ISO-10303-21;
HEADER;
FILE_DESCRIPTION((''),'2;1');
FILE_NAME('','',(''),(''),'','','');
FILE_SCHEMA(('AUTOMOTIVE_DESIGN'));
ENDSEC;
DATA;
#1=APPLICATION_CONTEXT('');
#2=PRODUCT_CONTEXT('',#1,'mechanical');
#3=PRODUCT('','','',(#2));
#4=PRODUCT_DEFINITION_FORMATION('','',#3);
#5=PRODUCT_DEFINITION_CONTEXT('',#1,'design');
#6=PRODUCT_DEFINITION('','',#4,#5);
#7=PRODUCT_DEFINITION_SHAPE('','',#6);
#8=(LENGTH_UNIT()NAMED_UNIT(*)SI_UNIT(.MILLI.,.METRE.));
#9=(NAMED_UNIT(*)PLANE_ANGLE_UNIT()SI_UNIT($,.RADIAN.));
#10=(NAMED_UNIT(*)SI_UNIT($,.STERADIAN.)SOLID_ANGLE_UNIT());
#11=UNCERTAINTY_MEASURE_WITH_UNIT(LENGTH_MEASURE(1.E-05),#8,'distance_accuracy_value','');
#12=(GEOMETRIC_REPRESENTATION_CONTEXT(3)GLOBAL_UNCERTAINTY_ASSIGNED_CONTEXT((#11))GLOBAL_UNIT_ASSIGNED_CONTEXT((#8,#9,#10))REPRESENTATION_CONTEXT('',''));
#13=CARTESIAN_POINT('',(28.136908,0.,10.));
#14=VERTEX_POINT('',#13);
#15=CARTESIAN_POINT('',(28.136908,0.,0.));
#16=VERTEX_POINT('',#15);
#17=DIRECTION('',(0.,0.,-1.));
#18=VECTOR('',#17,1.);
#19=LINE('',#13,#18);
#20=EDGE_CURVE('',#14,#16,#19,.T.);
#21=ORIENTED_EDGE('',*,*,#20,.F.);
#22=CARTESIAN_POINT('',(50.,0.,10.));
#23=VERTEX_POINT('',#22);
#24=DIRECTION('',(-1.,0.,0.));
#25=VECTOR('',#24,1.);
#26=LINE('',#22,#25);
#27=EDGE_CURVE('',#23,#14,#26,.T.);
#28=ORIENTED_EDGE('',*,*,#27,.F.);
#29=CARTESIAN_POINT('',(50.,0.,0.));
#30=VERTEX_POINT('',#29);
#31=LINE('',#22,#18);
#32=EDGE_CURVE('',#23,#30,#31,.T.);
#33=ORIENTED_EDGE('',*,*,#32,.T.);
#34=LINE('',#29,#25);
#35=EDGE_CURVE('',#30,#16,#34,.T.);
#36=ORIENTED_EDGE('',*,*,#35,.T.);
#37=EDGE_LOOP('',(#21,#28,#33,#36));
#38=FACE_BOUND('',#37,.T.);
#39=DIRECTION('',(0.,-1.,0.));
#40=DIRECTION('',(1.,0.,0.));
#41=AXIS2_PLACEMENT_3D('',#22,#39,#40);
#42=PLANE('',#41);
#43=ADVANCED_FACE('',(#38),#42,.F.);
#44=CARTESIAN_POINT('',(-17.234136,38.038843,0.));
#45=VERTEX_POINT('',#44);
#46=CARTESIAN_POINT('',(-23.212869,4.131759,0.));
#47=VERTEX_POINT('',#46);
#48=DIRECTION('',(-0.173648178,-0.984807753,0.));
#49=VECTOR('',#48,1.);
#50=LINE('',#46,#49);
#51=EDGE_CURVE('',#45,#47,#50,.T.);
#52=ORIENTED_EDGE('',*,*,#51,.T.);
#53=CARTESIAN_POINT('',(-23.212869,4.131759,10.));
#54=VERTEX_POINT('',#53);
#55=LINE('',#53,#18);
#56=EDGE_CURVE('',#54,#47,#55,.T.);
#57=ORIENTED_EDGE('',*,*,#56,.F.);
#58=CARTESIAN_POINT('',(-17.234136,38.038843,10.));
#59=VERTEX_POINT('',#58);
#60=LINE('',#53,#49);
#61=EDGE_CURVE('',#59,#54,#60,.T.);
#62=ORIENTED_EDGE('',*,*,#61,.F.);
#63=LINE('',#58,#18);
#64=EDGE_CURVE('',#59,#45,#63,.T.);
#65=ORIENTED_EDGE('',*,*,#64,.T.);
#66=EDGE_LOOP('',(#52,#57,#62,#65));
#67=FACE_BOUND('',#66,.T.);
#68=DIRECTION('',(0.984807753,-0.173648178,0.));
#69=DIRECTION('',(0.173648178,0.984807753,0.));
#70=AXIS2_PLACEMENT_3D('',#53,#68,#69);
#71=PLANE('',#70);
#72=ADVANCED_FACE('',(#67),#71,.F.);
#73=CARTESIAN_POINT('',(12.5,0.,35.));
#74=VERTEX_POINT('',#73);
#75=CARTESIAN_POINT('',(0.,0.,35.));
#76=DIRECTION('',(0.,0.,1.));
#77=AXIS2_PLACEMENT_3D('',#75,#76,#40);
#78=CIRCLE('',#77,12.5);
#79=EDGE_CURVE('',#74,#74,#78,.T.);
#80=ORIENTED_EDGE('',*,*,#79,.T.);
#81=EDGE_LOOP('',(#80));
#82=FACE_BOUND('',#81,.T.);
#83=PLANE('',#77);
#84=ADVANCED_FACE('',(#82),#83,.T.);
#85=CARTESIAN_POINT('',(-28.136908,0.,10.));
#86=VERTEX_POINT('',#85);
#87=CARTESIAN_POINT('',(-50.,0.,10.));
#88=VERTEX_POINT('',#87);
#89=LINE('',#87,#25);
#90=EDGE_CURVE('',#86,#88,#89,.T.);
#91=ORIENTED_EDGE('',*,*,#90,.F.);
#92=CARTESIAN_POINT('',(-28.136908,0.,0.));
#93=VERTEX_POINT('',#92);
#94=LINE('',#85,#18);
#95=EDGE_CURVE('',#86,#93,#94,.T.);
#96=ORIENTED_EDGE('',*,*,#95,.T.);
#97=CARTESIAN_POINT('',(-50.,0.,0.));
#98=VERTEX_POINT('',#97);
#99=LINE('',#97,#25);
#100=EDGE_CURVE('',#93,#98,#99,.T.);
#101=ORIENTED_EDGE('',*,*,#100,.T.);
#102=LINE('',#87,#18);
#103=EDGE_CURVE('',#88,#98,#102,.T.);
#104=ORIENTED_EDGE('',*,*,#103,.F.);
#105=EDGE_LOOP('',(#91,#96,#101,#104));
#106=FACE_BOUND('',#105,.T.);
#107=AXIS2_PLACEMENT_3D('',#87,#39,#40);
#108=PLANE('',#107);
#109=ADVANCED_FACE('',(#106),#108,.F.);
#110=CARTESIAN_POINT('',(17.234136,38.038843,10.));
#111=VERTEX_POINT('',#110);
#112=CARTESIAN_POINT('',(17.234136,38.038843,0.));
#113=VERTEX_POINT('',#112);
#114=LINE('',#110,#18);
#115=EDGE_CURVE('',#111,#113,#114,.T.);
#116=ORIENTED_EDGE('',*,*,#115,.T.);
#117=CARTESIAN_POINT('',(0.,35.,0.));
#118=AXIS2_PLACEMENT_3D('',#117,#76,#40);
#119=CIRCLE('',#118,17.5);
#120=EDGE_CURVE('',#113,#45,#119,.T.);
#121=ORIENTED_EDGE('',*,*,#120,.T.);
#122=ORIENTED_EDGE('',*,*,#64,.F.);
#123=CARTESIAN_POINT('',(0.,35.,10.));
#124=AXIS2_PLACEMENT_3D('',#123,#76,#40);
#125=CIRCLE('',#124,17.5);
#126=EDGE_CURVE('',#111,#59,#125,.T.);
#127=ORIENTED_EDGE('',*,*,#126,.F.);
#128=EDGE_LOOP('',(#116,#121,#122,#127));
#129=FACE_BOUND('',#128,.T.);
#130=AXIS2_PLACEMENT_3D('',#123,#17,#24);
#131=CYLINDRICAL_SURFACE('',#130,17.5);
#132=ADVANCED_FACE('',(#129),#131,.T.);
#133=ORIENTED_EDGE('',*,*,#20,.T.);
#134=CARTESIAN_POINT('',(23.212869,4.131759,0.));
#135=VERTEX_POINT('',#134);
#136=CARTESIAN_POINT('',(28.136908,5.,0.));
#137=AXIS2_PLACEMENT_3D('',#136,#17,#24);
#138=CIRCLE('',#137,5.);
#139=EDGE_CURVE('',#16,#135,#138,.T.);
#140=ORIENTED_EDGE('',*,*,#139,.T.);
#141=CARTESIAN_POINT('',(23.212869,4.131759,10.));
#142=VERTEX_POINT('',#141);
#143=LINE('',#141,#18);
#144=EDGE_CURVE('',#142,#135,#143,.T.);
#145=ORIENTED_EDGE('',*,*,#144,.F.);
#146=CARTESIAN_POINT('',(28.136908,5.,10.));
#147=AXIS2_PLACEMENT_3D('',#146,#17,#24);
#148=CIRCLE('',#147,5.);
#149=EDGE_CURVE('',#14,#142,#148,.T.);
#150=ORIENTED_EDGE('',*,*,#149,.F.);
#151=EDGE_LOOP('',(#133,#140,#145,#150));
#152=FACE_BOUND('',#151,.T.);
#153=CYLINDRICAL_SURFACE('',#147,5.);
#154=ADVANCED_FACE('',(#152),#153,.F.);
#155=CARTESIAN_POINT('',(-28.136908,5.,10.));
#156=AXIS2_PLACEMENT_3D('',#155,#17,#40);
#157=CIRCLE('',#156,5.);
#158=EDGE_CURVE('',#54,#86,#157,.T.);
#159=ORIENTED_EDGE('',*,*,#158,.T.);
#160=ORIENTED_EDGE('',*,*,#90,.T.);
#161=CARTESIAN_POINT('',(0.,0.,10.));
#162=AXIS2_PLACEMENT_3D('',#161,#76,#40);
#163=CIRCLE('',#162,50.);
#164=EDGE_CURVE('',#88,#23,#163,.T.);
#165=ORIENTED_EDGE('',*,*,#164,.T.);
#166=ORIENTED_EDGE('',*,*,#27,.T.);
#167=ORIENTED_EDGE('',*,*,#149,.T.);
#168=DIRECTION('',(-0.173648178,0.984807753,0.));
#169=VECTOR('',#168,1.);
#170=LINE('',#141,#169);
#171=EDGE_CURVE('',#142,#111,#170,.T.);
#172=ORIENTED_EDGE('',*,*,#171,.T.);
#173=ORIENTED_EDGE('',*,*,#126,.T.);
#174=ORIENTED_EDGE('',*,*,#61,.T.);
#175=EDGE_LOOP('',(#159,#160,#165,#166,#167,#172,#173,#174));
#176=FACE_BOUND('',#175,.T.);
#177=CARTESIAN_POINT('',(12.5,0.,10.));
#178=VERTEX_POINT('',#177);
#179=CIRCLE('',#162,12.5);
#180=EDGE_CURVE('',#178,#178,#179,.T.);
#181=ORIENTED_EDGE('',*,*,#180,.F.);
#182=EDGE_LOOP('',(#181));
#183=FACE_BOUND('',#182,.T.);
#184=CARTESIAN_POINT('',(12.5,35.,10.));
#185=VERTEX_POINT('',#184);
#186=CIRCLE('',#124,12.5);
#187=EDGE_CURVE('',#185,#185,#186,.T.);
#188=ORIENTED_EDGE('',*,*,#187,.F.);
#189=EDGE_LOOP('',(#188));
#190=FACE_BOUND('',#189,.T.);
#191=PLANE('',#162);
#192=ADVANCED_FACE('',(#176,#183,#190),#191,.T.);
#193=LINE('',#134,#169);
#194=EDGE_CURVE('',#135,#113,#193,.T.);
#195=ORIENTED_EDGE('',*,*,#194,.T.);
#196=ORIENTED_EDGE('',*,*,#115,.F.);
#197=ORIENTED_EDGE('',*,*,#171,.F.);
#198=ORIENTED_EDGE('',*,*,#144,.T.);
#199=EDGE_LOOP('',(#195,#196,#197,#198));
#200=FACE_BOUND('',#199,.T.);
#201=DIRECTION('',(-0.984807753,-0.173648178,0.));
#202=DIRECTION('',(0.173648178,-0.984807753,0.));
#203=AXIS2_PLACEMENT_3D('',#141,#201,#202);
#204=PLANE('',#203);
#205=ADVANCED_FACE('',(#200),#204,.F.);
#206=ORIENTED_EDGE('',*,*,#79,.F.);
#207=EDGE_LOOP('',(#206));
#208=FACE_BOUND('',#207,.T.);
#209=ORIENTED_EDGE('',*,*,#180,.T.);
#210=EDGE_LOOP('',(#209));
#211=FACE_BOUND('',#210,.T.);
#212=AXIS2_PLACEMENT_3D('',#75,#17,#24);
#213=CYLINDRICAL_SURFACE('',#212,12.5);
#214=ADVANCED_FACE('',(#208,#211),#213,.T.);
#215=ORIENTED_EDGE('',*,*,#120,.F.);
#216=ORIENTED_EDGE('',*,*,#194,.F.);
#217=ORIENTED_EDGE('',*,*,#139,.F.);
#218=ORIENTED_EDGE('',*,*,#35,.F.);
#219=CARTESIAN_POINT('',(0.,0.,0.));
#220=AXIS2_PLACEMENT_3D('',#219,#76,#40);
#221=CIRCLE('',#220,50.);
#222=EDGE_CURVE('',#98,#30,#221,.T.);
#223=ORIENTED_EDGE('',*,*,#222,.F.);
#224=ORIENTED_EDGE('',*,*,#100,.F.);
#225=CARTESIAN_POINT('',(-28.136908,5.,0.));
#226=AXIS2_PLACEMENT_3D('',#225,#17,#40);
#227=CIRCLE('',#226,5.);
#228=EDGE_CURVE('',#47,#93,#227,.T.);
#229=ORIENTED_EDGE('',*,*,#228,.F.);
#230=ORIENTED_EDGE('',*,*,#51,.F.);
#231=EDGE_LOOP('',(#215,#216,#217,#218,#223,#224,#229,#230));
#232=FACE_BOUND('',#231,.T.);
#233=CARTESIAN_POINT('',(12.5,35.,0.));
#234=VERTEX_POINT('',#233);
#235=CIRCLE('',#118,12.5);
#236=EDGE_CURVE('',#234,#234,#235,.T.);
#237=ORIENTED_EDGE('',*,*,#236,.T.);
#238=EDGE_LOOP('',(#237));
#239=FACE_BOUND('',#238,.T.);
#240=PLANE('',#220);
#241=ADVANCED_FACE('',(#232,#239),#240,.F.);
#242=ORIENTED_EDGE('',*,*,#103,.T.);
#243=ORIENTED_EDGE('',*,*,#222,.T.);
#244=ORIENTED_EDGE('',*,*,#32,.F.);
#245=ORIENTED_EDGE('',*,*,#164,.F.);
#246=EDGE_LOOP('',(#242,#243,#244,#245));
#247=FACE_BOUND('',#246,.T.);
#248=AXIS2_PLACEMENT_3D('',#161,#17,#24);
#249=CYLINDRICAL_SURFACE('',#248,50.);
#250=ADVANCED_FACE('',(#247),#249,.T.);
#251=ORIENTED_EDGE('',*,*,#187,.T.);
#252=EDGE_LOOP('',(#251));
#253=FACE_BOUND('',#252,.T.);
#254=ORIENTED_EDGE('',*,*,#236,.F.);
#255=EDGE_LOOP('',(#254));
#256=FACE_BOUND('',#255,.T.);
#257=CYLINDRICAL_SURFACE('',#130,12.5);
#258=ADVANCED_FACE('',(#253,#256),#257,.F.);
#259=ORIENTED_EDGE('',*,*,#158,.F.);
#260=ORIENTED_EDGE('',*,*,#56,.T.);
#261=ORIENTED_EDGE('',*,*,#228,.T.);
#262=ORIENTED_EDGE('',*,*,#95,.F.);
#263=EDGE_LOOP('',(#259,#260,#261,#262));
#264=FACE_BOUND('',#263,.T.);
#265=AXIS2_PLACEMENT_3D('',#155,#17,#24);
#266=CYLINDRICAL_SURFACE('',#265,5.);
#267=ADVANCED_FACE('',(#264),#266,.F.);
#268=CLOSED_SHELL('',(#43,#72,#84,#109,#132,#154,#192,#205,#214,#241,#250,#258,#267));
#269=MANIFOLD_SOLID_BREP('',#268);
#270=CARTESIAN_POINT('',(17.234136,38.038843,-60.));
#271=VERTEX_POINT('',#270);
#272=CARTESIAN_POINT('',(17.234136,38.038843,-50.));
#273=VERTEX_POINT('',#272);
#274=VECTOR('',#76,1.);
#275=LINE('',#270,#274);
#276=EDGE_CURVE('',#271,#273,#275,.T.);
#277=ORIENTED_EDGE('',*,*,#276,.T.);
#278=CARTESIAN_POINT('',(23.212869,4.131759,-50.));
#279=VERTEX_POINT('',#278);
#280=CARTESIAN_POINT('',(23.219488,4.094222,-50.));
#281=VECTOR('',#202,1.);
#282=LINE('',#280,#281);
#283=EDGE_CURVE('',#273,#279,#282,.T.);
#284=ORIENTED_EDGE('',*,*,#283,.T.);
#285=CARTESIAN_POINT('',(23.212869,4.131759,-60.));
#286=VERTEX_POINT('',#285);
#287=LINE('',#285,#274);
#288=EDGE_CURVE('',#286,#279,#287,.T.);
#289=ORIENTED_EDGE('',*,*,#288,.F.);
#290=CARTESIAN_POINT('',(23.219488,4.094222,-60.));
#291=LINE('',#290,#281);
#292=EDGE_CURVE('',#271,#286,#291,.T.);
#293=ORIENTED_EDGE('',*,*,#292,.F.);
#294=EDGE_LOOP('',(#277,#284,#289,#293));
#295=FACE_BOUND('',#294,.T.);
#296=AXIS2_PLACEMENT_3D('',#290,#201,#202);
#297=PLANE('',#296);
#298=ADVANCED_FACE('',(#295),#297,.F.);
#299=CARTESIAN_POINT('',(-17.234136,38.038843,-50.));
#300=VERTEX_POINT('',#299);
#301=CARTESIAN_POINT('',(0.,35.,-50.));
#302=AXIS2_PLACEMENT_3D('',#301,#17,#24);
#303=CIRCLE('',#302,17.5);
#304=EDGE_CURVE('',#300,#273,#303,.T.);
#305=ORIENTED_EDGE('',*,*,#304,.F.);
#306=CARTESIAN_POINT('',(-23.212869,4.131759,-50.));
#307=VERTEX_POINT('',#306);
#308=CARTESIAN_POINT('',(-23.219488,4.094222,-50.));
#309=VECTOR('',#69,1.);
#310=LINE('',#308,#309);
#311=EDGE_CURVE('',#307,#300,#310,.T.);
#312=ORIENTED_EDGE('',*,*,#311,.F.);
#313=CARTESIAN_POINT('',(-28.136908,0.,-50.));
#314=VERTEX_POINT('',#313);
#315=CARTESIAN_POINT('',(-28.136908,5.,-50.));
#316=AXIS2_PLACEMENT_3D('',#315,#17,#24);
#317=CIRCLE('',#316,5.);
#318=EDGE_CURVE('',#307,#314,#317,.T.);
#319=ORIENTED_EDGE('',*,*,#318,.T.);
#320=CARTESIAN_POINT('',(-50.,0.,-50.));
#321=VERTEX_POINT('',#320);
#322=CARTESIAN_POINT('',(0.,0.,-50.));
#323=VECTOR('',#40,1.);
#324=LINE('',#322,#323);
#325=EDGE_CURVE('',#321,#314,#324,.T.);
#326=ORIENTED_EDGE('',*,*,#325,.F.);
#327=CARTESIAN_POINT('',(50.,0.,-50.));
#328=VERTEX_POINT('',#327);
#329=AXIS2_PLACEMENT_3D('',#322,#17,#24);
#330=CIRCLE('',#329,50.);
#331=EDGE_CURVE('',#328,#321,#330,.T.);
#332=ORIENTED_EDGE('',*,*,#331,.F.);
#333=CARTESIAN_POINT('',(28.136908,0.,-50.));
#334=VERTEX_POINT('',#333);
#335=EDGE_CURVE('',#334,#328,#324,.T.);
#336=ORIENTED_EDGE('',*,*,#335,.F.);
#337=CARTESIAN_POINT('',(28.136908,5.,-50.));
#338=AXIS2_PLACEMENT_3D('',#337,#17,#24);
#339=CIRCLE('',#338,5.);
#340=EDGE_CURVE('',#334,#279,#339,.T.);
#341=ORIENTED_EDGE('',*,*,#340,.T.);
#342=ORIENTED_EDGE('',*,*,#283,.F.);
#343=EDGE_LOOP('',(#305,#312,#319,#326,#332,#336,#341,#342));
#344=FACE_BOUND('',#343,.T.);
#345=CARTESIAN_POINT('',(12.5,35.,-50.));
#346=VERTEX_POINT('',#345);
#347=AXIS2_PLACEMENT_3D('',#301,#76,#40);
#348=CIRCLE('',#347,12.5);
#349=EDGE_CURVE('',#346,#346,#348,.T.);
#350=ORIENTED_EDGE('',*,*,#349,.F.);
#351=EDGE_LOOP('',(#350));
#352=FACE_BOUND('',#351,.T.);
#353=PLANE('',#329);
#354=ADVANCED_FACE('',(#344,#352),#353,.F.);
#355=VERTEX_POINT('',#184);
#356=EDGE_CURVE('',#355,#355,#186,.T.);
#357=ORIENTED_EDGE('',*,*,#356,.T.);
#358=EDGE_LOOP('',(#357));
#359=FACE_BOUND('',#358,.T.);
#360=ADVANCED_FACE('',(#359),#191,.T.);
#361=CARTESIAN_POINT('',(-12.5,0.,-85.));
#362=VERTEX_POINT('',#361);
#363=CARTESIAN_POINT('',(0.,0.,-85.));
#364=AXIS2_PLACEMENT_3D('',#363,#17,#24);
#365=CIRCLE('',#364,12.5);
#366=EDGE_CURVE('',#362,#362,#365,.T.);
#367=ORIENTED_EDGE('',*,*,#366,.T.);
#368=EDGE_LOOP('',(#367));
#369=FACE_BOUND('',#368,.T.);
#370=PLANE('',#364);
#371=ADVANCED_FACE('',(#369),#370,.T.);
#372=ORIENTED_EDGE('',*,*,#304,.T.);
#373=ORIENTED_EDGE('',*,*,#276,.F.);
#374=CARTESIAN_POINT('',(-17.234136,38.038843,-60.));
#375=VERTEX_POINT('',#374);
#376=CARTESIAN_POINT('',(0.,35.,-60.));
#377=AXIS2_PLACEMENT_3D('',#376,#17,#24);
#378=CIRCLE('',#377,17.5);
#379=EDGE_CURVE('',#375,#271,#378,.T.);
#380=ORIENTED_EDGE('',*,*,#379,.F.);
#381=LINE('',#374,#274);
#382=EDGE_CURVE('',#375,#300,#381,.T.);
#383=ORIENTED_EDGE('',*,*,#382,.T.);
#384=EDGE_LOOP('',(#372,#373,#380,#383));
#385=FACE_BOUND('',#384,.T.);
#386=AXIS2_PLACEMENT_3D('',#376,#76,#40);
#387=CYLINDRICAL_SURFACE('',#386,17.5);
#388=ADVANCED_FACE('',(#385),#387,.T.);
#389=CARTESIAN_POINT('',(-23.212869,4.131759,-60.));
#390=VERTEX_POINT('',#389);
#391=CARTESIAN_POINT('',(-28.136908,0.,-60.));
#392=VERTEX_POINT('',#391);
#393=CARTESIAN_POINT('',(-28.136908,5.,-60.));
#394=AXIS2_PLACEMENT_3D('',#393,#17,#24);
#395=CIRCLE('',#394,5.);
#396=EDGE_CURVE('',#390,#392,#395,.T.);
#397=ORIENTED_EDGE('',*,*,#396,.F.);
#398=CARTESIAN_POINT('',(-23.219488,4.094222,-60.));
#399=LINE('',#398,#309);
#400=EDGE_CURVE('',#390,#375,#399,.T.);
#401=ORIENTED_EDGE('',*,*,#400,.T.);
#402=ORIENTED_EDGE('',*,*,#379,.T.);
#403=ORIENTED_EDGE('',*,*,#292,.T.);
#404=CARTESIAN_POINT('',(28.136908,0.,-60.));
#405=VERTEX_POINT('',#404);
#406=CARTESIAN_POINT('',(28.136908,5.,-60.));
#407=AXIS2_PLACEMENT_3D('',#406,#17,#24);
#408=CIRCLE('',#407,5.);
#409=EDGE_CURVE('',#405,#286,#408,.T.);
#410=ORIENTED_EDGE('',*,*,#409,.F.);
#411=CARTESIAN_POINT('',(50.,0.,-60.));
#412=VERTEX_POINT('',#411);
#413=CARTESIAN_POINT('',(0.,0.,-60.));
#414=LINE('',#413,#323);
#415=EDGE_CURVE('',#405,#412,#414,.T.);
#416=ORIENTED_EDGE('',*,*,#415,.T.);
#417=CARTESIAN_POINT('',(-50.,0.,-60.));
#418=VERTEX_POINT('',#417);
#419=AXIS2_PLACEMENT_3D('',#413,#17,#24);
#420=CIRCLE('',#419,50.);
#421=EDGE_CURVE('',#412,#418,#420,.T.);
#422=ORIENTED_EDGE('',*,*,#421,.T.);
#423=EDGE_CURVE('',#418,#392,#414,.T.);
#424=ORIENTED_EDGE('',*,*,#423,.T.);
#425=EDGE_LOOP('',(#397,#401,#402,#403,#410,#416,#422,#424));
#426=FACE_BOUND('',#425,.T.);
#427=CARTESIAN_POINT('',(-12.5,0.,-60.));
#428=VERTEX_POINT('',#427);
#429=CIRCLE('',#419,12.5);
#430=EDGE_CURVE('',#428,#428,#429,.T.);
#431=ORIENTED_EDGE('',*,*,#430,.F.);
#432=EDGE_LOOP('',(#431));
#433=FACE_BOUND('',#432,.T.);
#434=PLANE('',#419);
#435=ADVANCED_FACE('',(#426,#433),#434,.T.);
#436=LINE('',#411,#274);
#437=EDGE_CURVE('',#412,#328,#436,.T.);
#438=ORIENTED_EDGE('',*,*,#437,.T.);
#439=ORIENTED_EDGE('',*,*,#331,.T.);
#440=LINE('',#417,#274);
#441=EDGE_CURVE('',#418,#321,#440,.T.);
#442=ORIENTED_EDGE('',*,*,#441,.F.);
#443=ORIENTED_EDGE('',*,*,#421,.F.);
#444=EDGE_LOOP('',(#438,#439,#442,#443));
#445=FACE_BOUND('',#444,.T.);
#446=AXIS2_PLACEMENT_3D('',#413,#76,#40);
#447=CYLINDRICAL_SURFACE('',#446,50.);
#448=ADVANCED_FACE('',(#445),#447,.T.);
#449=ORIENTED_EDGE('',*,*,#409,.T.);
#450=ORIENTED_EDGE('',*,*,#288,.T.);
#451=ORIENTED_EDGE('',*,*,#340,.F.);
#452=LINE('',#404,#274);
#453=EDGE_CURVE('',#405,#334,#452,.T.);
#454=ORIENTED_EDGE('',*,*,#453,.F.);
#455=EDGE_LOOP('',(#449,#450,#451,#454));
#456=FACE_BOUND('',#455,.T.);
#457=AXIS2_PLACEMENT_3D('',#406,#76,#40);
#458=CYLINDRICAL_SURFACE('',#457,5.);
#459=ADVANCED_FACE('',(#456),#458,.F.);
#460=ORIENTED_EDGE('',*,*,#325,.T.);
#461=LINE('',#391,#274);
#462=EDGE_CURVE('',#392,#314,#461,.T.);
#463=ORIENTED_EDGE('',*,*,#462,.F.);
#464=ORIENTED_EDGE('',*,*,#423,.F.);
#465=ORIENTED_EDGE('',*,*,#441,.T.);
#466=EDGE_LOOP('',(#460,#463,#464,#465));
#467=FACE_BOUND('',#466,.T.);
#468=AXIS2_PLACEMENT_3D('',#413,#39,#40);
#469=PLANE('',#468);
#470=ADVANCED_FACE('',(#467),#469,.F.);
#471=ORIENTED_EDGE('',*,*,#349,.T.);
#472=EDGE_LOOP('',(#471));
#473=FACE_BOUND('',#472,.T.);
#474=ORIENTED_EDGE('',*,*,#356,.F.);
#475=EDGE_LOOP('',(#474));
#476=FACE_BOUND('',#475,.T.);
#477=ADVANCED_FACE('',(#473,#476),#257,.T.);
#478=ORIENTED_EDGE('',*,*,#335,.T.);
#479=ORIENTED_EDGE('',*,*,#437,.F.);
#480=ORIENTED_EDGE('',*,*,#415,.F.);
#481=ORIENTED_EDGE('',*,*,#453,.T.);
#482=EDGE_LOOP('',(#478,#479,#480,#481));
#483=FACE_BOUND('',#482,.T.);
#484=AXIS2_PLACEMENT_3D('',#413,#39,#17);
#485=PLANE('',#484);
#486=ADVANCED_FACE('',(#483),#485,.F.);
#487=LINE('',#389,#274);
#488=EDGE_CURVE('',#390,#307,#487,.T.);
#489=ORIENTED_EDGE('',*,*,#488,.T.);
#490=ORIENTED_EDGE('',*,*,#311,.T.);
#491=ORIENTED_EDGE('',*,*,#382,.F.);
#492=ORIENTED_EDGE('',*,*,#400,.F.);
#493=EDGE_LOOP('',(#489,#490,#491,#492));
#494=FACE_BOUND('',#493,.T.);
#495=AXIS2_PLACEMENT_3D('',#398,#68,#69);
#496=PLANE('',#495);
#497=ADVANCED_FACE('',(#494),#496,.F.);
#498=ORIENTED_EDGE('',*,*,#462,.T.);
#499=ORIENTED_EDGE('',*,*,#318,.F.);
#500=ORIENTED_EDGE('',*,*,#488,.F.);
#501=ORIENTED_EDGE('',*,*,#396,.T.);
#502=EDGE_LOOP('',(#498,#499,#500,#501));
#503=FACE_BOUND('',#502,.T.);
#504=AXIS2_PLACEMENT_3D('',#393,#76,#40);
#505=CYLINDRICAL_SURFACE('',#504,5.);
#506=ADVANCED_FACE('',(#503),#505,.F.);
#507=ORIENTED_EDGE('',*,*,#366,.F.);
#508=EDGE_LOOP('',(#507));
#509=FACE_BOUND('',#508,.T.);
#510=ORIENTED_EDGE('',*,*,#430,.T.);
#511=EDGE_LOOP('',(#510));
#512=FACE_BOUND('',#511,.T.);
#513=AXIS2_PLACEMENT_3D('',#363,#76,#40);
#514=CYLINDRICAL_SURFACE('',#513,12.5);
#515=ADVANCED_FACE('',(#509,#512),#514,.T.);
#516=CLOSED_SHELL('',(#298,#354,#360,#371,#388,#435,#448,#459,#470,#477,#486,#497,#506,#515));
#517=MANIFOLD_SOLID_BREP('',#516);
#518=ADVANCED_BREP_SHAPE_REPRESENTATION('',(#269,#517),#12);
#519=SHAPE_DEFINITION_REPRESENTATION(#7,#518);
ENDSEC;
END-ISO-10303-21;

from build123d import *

# Parameters (mm, degrees)
SKETCH1_R                = 12.5
BOSS_EXTRUDE1_DEPTH      = 10
BOSS_EXTRUDE2_DEPTH      = 10
BOSS_EXTRUDE2_DEPTH_BACK = 50
SKETCH1_2_R              = 12.5
SKETCH1_3_R              = 12.5
BOSS_EXTRUDE3_DEPTH      = 35
BOSS_EXTRUDE4_START      = 10
SKETCH3_R                = 12.5
BOSS_EXTRUDE4_DEPTH      = 10
BOSS_EXTRUDE5_START      = 35
SKETCH3_3_R              = 12.5
BOSS_EXTRUDE5_DEPTH      = 35


with BuildPart() as part:
    # Sketch1 → Boss-Extrude1 (new body)
    with BuildSketch(Plane.XY):
        with BuildLine():
            Line((-50, 0), (-28.136908189, 0))
            ThreePointArc((-28.136908189, 0), (-24.92297014, 1.169777784), (-23.212869424, 4.131759112))
            Line((-23.212869424, 4.131759112), (-17.234135678, 38.038843109))
            ThreePointArc((-17.234135678, 38.038843109), (0, 52.5), (17.234135678, 38.038843109))
            Line((17.234135678, 38.038843109), (23.212869424, 4.131759112))
            ThreePointArc((23.212869424, 4.131759112), (24.92297014, 1.169777784), (28.136908189, 0))
            Line((28.136908189, 0), (50, 0))
            ThreePointArc((50, 0), (0, -50), (-50, 0))
        make_face()
        Circle(SKETCH1_R, mode=Mode.SUBTRACT)
        with Locations((0, 35)):
            Circle(SKETCH1_R, mode=Mode.SUBTRACT)
    extrude(amount=BOSS_EXTRUDE1_DEPTH)

    # Sketch1<3> → Boss-Extrude3 (add)
    with BuildSketch(Plane.XY):
        Circle(SKETCH1_3_R)
    extrude(amount=BOSS_EXTRUDE3_DEPTH)


with BuildPart() as body_2:
    # Sketch1<2> → Boss-Extrude2 (new, two sides: drawn at the far end of the back side and taken through both)
    with BuildSketch(Plane.XY.offset(-BOSS_EXTRUDE2_DEPTH_BACK)):
        with Locations((0, 35)):
            Circle(SKETCH1_2_R)
    extrude(amount=BOSS_EXTRUDE2_DEPTH + BOSS_EXTRUDE2_DEPTH_BACK)

    # Sketch3 → Boss-Extrude4 (add)
    with BuildSketch(Plane(origin=(0, 0, -50), x_dir=(-1, 0, 0), z_dir=(0, 0, -1)).offset(BOSS_EXTRUDE4_START)):
        with BuildLine():
            ThreePointArc((-50, 0), (0, -50), (50, 0))
            Line((50, 0), (28.136908189, 0))
            ThreePointArc((28.136908189, 0), (24.92297014, 1.169777784), (23.212869424, 4.131759112))
            Line((23.212869424, 4.131759112), (17.234135678, 38.038843109))
            ThreePointArc((17.234135678, 38.038843109), (0, 52.5), (-17.234135678, 38.038843109))
            Line((-17.234135678, 38.038843109), (-23.212869424, 4.131759112))
            ThreePointArc((-23.212869424, 4.131759112), (-24.92297014, 1.169777784), (-28.136908189, 0))
            Line((-28.136908189, 0), (-50, 0))
        make_face()
        Circle(SKETCH3_R, mode=Mode.SUBTRACT)
    extrude(amount=-BOSS_EXTRUDE4_DEPTH)

    # Sketch3<3> → Boss-Extrude5 (add)
    with BuildSketch(Plane(origin=(0, 0, -50), x_dir=(-1, 0, 0), z_dir=(0, 0, -1)).offset(BOSS_EXTRUDE5_START)):
        Circle(SKETCH3_3_R)
    extrude(amount=-BOSS_EXTRUDE5_DEPTH)


solid = Compound([part.part, body_2.part])
